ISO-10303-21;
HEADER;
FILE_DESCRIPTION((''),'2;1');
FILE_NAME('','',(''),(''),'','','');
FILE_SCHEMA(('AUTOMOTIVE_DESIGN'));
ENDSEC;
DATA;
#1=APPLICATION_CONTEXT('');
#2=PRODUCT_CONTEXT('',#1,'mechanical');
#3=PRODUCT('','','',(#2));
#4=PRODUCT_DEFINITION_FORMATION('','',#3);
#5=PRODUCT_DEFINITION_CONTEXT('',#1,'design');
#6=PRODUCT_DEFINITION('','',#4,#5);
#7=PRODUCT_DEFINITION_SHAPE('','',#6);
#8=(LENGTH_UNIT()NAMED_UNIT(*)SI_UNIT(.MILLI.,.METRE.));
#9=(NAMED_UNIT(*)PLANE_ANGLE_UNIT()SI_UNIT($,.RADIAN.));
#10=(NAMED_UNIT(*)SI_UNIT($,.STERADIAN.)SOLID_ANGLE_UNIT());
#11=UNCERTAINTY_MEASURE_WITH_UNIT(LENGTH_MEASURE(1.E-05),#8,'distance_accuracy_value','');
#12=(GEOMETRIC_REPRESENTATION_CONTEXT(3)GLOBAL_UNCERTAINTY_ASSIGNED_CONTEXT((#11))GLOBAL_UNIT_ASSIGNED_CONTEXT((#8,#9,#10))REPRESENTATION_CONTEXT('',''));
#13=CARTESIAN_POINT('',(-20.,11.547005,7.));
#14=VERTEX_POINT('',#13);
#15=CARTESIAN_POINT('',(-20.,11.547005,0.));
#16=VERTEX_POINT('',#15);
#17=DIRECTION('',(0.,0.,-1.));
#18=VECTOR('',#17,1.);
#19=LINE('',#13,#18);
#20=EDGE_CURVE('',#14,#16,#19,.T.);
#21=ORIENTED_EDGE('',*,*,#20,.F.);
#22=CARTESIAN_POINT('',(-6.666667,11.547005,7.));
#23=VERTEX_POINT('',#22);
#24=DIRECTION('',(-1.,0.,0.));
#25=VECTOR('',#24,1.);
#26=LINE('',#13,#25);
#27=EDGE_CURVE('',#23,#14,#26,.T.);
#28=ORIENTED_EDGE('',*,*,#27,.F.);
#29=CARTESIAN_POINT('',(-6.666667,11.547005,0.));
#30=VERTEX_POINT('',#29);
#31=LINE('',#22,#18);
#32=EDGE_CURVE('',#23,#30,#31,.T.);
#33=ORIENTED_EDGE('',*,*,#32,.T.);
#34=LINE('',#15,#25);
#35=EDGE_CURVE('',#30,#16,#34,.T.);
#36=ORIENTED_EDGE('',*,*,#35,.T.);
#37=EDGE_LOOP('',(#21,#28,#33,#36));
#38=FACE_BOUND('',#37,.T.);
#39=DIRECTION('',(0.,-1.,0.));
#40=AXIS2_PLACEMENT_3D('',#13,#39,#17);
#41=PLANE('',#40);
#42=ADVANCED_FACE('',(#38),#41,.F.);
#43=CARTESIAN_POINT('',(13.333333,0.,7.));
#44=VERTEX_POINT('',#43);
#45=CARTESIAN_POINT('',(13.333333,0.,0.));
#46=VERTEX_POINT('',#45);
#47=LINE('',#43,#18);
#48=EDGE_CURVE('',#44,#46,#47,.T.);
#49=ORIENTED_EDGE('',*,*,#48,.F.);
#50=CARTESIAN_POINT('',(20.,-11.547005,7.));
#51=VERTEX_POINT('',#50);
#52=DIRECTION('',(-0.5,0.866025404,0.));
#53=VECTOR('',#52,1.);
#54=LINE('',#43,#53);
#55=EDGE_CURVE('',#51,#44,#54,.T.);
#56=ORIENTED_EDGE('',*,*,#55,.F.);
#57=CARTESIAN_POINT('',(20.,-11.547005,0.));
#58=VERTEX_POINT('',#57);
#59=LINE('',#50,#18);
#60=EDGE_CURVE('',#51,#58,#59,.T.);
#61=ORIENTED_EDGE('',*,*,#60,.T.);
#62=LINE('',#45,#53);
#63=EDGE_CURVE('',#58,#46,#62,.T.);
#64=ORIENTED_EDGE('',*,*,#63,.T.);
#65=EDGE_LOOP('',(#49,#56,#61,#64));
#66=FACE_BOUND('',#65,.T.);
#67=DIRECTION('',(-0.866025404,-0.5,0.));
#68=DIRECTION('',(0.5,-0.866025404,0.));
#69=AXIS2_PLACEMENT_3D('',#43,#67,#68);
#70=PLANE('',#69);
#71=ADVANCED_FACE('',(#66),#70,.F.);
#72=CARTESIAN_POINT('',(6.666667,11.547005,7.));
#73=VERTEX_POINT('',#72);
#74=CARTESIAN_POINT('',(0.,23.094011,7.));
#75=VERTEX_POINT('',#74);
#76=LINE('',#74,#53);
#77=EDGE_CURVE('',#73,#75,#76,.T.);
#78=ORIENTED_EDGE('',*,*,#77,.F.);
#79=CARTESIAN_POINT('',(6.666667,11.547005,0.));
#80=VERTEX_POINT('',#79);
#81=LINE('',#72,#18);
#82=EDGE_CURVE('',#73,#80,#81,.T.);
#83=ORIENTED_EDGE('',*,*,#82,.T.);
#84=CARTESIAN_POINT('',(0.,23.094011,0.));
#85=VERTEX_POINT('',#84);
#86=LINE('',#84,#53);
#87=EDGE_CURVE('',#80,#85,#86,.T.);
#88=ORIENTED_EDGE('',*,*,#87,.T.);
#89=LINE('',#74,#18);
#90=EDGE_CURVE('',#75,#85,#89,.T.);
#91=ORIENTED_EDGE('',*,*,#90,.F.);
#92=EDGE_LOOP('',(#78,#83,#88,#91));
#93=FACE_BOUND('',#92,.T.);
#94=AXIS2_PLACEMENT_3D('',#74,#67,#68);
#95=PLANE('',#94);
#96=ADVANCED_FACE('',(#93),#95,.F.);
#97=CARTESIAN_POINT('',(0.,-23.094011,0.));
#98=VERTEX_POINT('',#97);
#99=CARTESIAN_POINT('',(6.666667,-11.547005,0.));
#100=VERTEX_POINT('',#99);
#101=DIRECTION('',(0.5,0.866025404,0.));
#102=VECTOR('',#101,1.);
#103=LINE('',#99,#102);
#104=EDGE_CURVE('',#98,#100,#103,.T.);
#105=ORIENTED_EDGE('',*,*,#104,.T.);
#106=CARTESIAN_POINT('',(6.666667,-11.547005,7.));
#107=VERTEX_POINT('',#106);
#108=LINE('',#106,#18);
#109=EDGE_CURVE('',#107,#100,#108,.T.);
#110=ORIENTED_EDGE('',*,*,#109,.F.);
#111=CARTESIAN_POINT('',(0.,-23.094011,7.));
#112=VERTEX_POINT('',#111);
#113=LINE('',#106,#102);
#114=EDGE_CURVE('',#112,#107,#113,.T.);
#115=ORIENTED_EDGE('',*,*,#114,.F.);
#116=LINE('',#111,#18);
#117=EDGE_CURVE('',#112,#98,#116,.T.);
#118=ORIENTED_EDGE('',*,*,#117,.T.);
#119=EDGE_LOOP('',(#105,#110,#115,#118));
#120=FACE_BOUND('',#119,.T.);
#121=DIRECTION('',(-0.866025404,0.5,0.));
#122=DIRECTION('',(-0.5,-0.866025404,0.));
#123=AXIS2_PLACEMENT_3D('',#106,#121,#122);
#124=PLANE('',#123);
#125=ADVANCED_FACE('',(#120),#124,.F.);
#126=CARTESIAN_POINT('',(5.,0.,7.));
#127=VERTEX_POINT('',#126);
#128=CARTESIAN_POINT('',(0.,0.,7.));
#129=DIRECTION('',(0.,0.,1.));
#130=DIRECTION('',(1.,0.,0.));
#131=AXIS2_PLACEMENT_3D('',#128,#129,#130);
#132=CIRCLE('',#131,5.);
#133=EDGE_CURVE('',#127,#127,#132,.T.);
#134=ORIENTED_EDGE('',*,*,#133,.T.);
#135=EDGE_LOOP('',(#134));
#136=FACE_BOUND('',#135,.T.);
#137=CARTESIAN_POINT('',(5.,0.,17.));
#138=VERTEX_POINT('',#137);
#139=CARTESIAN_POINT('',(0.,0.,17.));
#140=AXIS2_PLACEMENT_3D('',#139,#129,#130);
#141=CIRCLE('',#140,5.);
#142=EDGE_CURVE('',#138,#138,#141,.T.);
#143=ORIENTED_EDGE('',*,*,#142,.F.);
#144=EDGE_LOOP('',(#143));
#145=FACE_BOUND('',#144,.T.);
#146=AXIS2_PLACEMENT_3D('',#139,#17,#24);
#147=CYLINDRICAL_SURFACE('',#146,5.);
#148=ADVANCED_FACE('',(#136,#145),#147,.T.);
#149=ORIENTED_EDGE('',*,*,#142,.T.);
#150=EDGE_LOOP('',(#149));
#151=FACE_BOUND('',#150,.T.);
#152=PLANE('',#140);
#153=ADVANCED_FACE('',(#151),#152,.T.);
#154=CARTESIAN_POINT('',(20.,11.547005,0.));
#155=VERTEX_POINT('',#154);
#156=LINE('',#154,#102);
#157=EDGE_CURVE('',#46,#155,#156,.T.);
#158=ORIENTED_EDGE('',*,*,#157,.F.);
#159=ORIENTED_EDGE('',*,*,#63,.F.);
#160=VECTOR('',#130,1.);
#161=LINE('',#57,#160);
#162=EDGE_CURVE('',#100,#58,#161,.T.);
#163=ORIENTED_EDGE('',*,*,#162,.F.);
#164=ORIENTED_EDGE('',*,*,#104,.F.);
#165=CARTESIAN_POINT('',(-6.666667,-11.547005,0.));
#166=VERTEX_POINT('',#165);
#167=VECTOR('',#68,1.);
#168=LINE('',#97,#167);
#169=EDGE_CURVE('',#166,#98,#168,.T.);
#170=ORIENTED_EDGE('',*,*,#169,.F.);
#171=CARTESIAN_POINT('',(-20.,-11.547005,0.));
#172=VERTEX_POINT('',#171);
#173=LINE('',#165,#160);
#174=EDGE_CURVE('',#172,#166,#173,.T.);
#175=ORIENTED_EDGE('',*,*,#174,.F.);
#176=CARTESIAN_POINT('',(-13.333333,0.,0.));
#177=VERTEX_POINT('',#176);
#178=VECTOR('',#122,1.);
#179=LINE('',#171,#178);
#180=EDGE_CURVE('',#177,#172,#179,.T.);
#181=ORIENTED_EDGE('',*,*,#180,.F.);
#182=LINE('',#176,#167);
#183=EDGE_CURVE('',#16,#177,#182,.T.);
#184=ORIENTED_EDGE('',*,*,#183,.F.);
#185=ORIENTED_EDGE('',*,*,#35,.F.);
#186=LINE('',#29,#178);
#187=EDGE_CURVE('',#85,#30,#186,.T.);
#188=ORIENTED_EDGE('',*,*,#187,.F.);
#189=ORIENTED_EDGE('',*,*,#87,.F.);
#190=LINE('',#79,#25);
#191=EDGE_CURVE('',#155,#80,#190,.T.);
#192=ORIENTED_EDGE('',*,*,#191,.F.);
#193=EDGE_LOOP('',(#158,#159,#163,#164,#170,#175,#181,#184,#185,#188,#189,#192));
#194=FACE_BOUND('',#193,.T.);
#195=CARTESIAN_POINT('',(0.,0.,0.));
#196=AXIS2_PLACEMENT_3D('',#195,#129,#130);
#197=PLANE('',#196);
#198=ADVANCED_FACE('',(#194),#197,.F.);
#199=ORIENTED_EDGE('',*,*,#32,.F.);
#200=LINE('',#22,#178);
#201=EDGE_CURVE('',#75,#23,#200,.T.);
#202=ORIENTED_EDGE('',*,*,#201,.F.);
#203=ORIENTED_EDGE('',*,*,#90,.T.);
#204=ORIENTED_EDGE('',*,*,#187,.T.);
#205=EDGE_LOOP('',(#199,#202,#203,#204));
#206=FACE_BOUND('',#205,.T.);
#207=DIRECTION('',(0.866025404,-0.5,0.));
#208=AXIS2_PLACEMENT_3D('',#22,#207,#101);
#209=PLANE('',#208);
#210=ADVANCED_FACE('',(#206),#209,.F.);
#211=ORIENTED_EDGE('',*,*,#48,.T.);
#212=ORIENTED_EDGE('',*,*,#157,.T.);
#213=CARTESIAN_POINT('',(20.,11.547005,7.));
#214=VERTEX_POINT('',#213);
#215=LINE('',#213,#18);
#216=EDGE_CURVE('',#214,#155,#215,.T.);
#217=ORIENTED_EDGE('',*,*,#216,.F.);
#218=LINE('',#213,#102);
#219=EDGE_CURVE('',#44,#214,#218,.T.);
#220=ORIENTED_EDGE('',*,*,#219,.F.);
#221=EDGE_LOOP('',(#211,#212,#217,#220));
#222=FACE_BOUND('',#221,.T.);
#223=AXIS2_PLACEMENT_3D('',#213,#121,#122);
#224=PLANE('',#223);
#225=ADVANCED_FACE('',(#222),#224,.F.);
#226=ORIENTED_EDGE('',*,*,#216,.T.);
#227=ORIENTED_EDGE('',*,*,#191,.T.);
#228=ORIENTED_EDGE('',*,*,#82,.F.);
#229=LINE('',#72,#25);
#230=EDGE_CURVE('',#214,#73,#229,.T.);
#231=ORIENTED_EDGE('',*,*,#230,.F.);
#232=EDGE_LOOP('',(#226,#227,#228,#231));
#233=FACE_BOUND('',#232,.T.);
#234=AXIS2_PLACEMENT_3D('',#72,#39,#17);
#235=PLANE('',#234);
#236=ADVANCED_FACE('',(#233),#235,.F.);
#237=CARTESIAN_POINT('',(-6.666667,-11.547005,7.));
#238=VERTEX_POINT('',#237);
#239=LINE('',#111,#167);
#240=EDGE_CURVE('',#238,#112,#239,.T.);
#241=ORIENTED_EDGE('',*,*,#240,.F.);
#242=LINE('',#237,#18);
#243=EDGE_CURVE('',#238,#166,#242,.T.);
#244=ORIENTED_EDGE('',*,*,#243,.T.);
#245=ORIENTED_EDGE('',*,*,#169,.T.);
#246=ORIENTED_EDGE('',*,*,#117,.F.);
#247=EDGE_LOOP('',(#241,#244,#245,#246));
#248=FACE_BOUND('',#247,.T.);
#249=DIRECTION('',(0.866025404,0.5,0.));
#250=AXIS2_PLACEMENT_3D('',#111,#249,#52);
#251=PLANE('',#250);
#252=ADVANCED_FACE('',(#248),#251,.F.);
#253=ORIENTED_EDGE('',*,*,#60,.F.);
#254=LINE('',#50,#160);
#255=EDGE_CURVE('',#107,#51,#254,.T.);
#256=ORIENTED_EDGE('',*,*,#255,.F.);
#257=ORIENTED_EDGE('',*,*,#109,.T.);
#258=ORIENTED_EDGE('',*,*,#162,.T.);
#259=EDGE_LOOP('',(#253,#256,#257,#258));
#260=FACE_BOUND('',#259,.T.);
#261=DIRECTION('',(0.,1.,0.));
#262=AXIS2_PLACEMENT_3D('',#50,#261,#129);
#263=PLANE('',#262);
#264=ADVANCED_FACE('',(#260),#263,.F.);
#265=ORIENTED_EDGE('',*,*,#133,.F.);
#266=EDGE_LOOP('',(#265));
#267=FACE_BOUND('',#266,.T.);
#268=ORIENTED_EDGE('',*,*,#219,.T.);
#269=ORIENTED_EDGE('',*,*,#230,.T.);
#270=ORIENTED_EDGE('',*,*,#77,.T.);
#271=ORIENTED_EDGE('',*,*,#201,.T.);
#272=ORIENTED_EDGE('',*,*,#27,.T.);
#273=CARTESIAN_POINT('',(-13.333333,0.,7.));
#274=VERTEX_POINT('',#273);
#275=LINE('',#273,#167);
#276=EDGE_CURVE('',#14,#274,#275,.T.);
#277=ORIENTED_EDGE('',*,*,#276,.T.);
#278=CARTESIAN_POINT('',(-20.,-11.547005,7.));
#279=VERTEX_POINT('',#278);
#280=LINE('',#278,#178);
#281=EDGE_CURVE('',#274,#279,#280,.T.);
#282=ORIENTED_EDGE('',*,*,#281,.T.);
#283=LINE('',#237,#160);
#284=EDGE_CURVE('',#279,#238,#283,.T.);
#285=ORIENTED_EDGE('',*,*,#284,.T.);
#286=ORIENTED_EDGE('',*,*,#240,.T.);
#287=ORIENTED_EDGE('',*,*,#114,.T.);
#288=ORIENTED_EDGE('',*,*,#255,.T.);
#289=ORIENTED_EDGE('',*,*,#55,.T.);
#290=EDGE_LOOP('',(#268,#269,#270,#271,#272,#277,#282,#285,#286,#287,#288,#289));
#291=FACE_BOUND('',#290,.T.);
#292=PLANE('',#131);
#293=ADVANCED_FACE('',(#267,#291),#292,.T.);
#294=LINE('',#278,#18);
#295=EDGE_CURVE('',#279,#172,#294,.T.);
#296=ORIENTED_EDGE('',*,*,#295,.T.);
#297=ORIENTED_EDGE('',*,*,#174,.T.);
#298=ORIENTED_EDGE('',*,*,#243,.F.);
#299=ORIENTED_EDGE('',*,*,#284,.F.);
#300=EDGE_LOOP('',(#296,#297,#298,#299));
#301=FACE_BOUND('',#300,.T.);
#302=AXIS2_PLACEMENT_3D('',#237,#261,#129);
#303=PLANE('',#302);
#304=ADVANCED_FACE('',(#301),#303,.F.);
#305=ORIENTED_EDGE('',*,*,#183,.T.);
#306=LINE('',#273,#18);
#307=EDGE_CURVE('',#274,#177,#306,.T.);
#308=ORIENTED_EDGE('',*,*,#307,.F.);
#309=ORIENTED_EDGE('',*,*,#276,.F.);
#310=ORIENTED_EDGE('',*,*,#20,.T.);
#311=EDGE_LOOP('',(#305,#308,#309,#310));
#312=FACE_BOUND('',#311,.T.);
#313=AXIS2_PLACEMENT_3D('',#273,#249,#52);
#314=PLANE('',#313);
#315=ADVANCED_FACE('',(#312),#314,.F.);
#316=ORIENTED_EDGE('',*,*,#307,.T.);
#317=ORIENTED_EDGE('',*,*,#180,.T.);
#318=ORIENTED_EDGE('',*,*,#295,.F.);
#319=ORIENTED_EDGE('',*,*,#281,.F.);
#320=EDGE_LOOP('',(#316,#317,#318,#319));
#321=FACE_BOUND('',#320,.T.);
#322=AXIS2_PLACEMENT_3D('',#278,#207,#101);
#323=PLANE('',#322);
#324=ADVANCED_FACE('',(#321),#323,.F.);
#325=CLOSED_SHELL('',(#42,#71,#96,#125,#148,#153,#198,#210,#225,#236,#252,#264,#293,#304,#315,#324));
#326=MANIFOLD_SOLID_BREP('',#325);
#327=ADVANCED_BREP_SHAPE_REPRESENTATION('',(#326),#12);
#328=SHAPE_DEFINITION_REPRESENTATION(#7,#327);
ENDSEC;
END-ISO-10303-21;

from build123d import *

# Parameters (mm, degrees)
BOSS_EXTRU_1_DEPTH = 7
ESQUISSE2_R        = 5
BOSS_EXTRU_2_DEPTH = 10


with BuildPart() as part:
    # Esquisse1 → Boss.-Extru.1 (new body)
    with BuildSketch(Plane.XY):
        Polygon((-20, 11.547005384), (-6.666666667, 11.547005384), (0, 23.094010768), (6.666666667, 11.547005384), (20, 11.547005384), (13.333333333, 0), (20, -11.547005384), (6.666666667, -11.547005384), (0, -23.094010768), (-6.666666667, -11.547005384), (-20, -11.547005384), (-13.333333333, 0), align=None)
    extrude(amount=BOSS_EXTRU_1_DEPTH)

    # Esquisse2 → Boss.-Extru.2 (add)
    with BuildSketch(Plane.XY.offset(7)):
        Circle(ESQUISSE2_R)
    extrude(amount=BOSS_EXTRU_2_DEPTH)


solid = part.part
